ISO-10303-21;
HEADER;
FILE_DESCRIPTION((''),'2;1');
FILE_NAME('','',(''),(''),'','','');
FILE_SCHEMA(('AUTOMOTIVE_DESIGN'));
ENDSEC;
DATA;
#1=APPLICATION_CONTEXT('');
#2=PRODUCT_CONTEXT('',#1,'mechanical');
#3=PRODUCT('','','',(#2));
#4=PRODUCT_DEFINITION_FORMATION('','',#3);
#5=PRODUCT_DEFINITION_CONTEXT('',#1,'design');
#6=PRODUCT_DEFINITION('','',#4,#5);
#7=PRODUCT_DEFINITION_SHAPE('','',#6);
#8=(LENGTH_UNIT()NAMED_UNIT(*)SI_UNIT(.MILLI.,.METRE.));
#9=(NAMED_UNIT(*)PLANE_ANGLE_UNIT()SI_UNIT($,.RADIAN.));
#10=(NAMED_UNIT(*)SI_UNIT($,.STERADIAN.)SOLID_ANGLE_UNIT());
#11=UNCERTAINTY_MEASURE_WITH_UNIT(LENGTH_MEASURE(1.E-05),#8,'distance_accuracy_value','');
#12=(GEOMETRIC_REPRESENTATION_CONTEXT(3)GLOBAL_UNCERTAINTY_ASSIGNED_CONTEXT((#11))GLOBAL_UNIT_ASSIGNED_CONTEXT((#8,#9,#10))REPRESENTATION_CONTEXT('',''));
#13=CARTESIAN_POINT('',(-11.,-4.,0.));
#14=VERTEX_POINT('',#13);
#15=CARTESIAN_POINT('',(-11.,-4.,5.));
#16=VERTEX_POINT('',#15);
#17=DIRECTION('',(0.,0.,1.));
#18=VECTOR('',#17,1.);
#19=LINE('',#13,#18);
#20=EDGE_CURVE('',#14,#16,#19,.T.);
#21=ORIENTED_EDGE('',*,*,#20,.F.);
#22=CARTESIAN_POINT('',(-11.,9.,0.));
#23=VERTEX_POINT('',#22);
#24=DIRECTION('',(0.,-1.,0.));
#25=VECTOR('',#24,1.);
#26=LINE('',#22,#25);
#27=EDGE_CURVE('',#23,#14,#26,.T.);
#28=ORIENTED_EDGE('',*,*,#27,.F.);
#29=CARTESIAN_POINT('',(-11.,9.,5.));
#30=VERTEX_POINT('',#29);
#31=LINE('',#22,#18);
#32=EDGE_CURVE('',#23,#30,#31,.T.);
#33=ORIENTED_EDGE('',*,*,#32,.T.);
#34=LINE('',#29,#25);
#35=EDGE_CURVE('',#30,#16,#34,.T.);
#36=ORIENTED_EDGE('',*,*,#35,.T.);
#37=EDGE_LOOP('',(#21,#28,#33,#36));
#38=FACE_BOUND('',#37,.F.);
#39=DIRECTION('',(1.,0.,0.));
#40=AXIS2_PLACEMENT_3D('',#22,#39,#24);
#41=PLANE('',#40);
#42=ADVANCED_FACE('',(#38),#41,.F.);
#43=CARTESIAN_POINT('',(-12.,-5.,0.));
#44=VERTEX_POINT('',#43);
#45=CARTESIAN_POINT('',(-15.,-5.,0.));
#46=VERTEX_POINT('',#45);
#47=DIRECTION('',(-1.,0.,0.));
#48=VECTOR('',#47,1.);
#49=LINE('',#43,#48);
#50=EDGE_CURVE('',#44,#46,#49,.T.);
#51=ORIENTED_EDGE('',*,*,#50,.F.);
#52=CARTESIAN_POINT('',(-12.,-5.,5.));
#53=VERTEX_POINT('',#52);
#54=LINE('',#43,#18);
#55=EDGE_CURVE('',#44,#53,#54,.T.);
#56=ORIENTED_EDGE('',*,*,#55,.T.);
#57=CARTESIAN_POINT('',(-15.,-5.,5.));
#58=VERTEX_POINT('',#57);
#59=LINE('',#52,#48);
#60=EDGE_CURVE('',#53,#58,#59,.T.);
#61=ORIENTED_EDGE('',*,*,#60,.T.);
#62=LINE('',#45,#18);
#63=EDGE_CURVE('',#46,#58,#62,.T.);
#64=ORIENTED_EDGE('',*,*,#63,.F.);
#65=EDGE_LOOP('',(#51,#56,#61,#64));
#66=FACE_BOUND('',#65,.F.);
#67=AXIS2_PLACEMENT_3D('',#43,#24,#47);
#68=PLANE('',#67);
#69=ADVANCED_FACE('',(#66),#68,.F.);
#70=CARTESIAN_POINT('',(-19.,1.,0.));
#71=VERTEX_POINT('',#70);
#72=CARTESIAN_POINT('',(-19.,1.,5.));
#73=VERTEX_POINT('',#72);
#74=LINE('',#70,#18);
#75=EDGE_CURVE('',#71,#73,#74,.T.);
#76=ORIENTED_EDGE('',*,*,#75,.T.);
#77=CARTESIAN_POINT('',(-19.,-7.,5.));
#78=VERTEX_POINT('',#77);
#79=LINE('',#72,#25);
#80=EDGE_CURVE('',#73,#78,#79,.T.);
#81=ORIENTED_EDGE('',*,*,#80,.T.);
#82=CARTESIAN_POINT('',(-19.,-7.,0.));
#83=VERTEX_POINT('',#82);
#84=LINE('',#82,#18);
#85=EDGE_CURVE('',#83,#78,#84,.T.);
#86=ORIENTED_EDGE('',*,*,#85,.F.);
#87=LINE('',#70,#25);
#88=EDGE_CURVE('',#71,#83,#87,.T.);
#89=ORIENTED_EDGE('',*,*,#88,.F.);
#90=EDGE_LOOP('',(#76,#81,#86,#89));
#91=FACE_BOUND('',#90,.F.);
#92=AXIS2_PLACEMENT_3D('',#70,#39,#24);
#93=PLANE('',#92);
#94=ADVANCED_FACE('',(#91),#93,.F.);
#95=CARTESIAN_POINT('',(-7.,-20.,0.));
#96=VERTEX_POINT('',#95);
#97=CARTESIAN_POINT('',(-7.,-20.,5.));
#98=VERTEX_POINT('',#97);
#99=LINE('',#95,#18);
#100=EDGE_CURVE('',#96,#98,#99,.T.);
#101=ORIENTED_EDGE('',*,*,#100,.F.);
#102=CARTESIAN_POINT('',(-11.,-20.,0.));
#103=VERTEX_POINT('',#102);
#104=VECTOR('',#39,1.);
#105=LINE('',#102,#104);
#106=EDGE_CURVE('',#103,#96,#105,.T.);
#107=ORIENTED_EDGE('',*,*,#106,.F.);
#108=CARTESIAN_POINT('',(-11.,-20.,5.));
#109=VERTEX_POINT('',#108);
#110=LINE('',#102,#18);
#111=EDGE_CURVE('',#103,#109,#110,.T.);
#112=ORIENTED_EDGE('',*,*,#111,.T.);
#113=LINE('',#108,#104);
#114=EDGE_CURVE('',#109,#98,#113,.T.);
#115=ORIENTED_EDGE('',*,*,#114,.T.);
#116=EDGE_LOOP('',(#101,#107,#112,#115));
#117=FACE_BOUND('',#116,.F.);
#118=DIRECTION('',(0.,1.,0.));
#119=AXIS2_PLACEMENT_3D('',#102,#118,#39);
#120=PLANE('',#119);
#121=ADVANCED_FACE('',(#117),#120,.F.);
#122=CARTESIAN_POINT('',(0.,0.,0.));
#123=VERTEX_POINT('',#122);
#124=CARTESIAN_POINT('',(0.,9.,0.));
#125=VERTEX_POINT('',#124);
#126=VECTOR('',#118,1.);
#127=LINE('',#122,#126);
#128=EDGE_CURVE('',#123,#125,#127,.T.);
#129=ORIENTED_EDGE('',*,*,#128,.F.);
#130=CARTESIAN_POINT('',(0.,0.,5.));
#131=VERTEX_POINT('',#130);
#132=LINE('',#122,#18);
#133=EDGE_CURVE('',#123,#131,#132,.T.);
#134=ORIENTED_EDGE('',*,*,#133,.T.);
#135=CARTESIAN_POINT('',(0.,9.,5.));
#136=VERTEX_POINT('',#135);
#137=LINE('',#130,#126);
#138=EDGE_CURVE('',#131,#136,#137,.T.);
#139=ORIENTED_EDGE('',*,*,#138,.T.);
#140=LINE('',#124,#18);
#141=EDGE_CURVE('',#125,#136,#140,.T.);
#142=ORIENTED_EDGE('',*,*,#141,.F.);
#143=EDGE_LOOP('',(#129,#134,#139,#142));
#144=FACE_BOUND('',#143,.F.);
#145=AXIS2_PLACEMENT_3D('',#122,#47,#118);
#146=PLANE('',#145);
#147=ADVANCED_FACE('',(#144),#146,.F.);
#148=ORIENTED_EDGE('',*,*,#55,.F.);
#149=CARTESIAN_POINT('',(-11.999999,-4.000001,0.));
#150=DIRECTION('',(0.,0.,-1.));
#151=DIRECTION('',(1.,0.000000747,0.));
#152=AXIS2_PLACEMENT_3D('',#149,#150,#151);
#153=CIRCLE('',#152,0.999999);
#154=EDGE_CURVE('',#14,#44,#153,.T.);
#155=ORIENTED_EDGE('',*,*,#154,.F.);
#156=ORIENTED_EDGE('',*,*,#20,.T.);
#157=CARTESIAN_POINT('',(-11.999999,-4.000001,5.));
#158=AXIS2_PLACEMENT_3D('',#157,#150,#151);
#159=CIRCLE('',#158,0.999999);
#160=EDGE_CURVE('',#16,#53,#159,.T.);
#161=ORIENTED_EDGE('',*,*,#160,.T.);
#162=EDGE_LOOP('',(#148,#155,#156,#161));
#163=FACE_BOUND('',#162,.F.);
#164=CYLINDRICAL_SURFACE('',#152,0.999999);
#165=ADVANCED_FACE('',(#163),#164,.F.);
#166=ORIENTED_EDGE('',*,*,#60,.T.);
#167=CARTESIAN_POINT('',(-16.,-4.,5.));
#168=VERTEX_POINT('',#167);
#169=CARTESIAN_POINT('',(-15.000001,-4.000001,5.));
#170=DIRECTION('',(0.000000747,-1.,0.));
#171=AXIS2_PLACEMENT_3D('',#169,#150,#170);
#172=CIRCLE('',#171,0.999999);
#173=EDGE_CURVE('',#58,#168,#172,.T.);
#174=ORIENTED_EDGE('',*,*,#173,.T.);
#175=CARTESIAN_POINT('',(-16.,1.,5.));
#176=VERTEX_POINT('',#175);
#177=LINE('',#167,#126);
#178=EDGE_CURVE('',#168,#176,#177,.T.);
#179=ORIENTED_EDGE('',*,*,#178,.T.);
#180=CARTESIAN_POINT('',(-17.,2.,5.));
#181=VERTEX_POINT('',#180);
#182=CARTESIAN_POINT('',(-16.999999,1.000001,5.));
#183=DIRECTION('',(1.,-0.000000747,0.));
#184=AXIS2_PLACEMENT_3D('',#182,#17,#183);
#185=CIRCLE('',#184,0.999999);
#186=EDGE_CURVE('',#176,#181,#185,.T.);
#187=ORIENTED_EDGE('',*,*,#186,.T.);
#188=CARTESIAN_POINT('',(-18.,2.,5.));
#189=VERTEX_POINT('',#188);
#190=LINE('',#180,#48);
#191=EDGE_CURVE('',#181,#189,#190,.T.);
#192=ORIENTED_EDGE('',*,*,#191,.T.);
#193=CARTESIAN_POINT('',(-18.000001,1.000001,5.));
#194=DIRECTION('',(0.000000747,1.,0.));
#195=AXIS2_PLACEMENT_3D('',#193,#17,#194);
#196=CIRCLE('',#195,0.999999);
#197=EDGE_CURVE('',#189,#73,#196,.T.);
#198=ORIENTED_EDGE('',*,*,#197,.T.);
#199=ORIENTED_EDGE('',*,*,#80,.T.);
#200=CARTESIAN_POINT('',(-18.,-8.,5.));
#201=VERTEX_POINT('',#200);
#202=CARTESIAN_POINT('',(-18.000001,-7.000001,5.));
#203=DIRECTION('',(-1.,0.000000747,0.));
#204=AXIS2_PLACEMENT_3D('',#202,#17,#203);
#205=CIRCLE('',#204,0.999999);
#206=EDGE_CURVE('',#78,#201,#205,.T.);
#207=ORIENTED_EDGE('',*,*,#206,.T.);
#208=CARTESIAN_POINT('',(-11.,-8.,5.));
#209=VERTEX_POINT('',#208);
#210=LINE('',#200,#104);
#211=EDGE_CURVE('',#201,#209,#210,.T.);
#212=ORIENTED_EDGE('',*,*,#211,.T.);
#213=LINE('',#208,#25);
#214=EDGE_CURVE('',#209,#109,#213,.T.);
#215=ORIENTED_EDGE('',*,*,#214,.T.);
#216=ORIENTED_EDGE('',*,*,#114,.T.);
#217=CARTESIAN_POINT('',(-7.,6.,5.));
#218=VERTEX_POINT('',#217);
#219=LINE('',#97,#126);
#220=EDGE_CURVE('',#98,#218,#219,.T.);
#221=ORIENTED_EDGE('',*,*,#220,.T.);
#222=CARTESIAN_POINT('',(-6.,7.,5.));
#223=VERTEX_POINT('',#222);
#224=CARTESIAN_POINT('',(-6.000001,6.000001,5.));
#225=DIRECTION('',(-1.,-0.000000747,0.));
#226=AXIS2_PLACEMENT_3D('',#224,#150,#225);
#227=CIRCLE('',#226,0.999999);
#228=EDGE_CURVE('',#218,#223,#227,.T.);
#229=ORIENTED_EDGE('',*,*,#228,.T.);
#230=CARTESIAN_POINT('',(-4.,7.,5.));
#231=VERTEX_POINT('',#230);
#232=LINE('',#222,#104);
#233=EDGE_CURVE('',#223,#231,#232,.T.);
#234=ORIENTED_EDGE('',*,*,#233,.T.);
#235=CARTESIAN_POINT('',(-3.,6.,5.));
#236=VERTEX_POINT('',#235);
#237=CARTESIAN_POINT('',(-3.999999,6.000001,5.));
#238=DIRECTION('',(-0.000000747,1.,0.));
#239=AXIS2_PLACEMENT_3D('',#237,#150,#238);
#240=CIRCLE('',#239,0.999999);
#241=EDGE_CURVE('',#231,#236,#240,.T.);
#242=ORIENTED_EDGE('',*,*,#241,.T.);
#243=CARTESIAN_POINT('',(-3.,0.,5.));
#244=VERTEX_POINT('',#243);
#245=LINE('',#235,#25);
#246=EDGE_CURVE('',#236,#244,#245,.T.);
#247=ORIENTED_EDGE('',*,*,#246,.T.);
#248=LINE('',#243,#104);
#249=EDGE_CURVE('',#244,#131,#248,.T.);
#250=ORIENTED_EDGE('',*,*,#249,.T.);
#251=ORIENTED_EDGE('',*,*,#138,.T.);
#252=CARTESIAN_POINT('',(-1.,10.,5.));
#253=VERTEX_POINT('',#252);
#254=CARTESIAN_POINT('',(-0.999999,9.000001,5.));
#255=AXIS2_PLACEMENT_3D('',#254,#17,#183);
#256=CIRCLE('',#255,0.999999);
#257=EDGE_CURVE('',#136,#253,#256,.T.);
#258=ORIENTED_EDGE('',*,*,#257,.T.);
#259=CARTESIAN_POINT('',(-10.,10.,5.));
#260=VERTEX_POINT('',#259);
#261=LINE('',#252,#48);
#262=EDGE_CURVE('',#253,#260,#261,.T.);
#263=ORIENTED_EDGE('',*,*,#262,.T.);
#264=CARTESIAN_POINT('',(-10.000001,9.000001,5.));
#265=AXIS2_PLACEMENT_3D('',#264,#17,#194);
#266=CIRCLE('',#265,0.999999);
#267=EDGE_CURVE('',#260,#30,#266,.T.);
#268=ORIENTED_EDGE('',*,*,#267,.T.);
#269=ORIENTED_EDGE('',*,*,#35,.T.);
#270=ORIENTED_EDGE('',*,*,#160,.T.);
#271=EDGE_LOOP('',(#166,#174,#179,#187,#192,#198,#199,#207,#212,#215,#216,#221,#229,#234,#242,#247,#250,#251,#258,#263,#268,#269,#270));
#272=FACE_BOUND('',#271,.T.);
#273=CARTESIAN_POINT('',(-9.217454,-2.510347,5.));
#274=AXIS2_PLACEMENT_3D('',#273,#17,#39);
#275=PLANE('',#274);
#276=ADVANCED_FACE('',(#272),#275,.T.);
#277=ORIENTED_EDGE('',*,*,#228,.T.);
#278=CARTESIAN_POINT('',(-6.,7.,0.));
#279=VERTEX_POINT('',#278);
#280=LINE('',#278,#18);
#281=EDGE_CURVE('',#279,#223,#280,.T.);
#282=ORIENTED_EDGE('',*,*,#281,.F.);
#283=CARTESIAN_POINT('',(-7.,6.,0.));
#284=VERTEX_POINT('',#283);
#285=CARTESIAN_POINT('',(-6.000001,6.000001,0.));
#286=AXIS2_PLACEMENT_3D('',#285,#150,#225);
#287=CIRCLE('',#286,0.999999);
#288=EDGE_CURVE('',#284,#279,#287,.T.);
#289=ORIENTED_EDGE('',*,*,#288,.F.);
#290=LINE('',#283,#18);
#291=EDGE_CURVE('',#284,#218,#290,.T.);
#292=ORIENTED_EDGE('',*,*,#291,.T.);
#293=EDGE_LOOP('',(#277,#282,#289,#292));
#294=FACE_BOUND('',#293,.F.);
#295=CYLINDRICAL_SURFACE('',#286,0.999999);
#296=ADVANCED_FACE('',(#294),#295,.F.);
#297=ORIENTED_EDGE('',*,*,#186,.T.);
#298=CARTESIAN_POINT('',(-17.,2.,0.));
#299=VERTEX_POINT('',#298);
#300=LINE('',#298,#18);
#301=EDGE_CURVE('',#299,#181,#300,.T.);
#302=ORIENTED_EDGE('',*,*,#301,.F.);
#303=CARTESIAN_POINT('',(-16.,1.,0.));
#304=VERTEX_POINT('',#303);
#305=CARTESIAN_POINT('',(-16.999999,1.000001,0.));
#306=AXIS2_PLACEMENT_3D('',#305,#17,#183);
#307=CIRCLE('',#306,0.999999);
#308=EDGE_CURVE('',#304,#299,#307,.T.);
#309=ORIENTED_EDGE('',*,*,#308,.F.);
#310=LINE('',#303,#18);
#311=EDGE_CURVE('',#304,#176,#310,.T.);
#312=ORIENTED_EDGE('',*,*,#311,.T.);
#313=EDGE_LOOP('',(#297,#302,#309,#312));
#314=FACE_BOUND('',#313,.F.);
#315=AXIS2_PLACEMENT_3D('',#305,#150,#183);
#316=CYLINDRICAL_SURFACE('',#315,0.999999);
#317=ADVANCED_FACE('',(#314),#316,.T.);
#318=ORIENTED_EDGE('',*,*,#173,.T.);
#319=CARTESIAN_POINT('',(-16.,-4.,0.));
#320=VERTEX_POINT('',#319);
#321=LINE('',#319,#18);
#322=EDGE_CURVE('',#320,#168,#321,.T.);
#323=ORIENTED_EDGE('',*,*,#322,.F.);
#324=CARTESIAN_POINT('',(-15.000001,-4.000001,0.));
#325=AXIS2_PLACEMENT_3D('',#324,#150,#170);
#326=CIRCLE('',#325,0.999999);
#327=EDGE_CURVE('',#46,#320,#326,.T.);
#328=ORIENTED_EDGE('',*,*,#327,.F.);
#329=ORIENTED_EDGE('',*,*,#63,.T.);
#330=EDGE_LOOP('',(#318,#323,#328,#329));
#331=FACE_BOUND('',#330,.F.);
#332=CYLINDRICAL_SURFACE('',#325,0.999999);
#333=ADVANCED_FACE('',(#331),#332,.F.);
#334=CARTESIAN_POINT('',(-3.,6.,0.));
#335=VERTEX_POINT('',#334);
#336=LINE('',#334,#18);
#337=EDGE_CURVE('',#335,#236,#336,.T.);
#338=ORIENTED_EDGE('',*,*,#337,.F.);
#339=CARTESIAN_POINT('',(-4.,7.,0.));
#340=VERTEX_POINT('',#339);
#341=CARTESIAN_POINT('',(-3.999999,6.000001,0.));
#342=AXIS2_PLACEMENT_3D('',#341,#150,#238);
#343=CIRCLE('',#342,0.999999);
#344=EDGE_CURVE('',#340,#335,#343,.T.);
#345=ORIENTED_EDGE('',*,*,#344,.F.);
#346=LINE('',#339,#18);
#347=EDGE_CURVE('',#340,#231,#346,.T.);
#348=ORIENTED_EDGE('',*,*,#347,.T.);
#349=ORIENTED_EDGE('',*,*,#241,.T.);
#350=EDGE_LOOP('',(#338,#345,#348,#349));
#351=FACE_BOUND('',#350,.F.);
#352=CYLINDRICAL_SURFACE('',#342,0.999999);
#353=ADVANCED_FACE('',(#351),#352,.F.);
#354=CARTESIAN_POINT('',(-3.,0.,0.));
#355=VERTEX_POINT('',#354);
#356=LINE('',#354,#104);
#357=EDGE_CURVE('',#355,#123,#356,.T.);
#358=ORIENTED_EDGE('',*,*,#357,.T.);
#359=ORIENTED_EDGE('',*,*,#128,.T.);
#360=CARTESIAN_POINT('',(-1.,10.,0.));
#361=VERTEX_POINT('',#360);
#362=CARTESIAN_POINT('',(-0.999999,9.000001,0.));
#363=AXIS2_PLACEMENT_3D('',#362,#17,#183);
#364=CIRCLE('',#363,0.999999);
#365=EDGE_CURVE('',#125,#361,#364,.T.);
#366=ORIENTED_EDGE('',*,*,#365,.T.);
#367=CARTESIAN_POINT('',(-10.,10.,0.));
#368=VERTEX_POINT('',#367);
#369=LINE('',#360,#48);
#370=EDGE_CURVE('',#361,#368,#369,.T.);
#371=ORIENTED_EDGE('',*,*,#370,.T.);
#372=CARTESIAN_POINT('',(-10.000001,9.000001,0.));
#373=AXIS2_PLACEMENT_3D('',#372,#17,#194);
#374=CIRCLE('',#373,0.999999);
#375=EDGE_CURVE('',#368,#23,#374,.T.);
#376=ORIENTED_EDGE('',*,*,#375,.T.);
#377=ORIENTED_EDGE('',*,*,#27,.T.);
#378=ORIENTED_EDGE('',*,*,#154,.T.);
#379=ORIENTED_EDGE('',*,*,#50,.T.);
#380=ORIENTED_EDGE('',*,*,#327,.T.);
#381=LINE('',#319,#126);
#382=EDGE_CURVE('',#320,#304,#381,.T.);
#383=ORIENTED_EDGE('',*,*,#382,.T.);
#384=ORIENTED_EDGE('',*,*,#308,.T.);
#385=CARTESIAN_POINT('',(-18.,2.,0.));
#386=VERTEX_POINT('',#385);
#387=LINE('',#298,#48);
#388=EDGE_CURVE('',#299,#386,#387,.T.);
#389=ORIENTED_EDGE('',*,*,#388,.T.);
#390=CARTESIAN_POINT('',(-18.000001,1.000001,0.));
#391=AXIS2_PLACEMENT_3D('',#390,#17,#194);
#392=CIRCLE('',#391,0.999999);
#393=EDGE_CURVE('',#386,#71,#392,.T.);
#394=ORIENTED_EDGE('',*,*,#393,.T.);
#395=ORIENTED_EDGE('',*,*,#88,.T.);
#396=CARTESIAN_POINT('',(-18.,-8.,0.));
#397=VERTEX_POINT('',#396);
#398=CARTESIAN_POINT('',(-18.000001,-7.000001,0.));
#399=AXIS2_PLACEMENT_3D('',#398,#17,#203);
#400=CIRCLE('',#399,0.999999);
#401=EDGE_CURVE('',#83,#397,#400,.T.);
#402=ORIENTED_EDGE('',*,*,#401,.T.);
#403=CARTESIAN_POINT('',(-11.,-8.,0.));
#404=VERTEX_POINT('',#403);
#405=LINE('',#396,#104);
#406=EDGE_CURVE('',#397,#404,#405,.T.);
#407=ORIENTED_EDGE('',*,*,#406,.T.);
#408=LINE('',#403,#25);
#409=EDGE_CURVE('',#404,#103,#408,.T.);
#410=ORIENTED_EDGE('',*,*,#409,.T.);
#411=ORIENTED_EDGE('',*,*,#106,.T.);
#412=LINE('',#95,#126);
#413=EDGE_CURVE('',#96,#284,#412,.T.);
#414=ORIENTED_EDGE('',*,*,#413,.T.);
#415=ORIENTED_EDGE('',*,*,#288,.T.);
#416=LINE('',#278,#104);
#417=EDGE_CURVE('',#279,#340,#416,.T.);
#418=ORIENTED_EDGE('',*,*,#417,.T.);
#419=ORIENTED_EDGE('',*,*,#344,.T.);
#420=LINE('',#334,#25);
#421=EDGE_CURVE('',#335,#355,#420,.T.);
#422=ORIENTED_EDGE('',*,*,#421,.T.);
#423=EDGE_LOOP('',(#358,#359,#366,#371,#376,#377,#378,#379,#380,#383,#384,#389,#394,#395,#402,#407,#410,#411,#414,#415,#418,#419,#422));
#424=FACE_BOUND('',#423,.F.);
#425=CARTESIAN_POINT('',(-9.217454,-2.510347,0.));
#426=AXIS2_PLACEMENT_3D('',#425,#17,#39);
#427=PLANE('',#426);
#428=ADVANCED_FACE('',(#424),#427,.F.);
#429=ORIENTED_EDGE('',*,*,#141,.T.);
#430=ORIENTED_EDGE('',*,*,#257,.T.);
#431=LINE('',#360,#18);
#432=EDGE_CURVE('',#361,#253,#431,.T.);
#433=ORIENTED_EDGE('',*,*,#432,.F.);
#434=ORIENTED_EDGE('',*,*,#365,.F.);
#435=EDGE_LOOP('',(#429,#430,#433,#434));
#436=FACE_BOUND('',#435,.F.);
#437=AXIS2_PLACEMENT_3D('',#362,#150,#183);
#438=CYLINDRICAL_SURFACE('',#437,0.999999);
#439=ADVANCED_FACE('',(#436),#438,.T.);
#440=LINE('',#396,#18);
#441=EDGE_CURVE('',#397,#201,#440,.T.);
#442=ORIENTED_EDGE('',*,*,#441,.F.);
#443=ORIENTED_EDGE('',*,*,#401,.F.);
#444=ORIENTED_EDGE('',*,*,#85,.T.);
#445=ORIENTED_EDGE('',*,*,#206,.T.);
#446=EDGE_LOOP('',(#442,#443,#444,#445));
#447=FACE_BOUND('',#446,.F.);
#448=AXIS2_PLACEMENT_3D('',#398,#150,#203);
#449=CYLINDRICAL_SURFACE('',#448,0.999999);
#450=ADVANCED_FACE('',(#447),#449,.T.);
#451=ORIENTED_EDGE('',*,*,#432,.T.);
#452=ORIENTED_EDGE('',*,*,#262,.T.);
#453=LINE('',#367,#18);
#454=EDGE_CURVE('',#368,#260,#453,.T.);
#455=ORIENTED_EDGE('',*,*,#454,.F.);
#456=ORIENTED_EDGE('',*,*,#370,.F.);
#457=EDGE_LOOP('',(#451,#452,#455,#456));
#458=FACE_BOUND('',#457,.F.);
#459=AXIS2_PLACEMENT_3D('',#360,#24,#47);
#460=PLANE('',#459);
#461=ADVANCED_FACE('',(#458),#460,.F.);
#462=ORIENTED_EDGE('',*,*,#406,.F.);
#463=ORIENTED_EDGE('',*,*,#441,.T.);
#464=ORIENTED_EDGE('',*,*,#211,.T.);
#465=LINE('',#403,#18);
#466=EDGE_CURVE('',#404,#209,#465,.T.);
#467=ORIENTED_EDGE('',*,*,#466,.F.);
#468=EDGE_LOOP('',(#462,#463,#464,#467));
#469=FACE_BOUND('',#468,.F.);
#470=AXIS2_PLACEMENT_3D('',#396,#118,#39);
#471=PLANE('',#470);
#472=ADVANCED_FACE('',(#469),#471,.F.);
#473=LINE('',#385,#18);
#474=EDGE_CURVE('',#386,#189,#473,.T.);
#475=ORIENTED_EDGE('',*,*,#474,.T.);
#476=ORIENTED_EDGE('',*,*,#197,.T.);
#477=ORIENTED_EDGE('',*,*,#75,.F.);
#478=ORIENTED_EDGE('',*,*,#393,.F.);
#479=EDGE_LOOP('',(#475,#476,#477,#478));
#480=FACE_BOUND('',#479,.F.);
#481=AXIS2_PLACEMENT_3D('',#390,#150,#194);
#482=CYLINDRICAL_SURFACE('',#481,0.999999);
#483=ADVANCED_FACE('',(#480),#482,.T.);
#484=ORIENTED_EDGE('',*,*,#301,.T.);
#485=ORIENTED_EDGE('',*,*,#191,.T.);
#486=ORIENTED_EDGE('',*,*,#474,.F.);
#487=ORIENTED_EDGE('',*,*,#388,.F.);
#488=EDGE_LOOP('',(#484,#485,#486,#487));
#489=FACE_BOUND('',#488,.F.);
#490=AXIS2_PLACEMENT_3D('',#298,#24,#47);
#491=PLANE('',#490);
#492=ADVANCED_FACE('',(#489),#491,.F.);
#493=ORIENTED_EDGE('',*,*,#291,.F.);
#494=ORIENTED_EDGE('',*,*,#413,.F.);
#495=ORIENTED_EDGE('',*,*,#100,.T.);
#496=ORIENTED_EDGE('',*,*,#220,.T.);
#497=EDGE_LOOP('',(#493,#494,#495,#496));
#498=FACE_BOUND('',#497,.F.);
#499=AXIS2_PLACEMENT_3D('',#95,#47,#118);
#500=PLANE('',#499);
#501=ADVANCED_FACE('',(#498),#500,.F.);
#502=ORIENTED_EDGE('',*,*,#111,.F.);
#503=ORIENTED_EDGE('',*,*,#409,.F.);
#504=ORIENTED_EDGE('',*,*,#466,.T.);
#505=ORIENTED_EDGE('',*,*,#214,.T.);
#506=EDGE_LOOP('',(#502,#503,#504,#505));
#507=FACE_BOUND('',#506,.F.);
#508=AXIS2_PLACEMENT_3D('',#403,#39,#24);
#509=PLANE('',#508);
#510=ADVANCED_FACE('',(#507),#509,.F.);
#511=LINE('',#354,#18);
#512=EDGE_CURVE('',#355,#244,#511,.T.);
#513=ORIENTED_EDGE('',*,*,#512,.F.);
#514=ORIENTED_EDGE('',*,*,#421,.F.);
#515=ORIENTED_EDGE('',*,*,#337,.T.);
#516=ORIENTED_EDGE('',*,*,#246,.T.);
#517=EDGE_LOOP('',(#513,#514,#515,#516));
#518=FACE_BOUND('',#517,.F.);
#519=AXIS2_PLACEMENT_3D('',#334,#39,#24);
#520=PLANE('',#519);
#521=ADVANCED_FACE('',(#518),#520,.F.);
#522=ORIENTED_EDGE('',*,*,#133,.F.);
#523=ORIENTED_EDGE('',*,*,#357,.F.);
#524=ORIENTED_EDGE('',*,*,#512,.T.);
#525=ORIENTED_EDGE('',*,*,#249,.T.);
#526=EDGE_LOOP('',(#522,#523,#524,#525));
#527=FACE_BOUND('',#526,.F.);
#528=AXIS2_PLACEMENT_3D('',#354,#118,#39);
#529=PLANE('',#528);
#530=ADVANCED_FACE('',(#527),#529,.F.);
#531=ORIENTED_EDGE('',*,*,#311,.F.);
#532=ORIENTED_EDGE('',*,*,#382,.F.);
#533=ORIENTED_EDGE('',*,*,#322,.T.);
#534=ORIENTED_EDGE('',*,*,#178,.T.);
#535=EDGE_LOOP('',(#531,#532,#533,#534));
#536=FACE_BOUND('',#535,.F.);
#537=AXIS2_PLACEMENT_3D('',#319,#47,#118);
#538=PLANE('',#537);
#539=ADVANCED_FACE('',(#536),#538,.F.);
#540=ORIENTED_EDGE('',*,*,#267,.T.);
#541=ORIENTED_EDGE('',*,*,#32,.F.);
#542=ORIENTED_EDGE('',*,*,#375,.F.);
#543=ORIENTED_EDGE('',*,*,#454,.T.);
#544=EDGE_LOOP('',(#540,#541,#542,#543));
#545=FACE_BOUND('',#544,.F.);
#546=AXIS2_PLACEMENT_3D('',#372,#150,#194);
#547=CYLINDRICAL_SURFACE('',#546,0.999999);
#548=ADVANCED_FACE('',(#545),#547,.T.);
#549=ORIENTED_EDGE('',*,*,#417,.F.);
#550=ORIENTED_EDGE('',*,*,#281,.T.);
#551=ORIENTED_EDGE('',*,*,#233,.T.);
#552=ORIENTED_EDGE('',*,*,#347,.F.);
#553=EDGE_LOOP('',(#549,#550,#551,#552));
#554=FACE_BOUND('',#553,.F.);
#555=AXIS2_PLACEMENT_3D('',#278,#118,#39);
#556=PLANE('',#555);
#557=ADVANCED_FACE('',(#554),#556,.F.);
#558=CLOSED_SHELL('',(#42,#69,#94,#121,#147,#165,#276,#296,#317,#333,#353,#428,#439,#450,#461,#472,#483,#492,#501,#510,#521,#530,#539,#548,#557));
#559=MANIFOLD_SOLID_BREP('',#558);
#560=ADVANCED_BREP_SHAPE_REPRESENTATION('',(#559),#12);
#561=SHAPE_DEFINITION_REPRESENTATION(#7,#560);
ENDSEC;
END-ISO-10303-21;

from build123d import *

# Parameters (mm, degrees)
F1_DEPTH = 5


with BuildPart() as f1:
    # F0 (on Top) → F1 (new body)
    with BuildSketch(Plane.XY):
        with BuildLine():
            Line((-3, 0), (0, 0))
            Line((0, 0), (0, 9))
            ThreePointArc((0, 9), (-0.292893, 9.707107), (-1, 10))
            Line((-1, 10), (-10, 10))
            ThreePointArc((-10, 10), (-10.707107, 9.707107), (-11, 9))
            Line((-11, 9), (-11, -4))
            ThreePointArc((-11, -4), (-11.292893, -4.707107), (-12, -5))
            Line((-12, -5), (-15, -5))
            ThreePointArc((-15, -5), (-15.707107, -4.707107), (-16, -4))
            Line((-16, -4), (-16, 1))
            ThreePointArc((-16, 1), (-16.292893, 1.707107), (-17, 2))
            Line((-17, 2), (-18, 2))
            ThreePointArc((-18, 2), (-18.707107, 1.707107), (-19, 1))
            Line((-19, 1), (-19, -7))
            ThreePointArc((-19, -7), (-18.707107, -7.707107), (-18, -8))
            Line((-18, -8), (-11, -8))
            Line((-11, -8), (-11, -20))
            Line((-11, -20), (-7, -20))
            Line((-7, -20), (-7, 6))
            ThreePointArc((-7, 6), (-6.707107, 6.707107), (-6, 7))
            Line((-6, 7), (-4, 7))
            ThreePointArc((-4, 7), (-3.292893, 6.707107), (-3, 6))
            Line((-3, 6), (-3, 0))
        make_face()
    extrude(amount=F1_DEPTH)


solid = f1.part
